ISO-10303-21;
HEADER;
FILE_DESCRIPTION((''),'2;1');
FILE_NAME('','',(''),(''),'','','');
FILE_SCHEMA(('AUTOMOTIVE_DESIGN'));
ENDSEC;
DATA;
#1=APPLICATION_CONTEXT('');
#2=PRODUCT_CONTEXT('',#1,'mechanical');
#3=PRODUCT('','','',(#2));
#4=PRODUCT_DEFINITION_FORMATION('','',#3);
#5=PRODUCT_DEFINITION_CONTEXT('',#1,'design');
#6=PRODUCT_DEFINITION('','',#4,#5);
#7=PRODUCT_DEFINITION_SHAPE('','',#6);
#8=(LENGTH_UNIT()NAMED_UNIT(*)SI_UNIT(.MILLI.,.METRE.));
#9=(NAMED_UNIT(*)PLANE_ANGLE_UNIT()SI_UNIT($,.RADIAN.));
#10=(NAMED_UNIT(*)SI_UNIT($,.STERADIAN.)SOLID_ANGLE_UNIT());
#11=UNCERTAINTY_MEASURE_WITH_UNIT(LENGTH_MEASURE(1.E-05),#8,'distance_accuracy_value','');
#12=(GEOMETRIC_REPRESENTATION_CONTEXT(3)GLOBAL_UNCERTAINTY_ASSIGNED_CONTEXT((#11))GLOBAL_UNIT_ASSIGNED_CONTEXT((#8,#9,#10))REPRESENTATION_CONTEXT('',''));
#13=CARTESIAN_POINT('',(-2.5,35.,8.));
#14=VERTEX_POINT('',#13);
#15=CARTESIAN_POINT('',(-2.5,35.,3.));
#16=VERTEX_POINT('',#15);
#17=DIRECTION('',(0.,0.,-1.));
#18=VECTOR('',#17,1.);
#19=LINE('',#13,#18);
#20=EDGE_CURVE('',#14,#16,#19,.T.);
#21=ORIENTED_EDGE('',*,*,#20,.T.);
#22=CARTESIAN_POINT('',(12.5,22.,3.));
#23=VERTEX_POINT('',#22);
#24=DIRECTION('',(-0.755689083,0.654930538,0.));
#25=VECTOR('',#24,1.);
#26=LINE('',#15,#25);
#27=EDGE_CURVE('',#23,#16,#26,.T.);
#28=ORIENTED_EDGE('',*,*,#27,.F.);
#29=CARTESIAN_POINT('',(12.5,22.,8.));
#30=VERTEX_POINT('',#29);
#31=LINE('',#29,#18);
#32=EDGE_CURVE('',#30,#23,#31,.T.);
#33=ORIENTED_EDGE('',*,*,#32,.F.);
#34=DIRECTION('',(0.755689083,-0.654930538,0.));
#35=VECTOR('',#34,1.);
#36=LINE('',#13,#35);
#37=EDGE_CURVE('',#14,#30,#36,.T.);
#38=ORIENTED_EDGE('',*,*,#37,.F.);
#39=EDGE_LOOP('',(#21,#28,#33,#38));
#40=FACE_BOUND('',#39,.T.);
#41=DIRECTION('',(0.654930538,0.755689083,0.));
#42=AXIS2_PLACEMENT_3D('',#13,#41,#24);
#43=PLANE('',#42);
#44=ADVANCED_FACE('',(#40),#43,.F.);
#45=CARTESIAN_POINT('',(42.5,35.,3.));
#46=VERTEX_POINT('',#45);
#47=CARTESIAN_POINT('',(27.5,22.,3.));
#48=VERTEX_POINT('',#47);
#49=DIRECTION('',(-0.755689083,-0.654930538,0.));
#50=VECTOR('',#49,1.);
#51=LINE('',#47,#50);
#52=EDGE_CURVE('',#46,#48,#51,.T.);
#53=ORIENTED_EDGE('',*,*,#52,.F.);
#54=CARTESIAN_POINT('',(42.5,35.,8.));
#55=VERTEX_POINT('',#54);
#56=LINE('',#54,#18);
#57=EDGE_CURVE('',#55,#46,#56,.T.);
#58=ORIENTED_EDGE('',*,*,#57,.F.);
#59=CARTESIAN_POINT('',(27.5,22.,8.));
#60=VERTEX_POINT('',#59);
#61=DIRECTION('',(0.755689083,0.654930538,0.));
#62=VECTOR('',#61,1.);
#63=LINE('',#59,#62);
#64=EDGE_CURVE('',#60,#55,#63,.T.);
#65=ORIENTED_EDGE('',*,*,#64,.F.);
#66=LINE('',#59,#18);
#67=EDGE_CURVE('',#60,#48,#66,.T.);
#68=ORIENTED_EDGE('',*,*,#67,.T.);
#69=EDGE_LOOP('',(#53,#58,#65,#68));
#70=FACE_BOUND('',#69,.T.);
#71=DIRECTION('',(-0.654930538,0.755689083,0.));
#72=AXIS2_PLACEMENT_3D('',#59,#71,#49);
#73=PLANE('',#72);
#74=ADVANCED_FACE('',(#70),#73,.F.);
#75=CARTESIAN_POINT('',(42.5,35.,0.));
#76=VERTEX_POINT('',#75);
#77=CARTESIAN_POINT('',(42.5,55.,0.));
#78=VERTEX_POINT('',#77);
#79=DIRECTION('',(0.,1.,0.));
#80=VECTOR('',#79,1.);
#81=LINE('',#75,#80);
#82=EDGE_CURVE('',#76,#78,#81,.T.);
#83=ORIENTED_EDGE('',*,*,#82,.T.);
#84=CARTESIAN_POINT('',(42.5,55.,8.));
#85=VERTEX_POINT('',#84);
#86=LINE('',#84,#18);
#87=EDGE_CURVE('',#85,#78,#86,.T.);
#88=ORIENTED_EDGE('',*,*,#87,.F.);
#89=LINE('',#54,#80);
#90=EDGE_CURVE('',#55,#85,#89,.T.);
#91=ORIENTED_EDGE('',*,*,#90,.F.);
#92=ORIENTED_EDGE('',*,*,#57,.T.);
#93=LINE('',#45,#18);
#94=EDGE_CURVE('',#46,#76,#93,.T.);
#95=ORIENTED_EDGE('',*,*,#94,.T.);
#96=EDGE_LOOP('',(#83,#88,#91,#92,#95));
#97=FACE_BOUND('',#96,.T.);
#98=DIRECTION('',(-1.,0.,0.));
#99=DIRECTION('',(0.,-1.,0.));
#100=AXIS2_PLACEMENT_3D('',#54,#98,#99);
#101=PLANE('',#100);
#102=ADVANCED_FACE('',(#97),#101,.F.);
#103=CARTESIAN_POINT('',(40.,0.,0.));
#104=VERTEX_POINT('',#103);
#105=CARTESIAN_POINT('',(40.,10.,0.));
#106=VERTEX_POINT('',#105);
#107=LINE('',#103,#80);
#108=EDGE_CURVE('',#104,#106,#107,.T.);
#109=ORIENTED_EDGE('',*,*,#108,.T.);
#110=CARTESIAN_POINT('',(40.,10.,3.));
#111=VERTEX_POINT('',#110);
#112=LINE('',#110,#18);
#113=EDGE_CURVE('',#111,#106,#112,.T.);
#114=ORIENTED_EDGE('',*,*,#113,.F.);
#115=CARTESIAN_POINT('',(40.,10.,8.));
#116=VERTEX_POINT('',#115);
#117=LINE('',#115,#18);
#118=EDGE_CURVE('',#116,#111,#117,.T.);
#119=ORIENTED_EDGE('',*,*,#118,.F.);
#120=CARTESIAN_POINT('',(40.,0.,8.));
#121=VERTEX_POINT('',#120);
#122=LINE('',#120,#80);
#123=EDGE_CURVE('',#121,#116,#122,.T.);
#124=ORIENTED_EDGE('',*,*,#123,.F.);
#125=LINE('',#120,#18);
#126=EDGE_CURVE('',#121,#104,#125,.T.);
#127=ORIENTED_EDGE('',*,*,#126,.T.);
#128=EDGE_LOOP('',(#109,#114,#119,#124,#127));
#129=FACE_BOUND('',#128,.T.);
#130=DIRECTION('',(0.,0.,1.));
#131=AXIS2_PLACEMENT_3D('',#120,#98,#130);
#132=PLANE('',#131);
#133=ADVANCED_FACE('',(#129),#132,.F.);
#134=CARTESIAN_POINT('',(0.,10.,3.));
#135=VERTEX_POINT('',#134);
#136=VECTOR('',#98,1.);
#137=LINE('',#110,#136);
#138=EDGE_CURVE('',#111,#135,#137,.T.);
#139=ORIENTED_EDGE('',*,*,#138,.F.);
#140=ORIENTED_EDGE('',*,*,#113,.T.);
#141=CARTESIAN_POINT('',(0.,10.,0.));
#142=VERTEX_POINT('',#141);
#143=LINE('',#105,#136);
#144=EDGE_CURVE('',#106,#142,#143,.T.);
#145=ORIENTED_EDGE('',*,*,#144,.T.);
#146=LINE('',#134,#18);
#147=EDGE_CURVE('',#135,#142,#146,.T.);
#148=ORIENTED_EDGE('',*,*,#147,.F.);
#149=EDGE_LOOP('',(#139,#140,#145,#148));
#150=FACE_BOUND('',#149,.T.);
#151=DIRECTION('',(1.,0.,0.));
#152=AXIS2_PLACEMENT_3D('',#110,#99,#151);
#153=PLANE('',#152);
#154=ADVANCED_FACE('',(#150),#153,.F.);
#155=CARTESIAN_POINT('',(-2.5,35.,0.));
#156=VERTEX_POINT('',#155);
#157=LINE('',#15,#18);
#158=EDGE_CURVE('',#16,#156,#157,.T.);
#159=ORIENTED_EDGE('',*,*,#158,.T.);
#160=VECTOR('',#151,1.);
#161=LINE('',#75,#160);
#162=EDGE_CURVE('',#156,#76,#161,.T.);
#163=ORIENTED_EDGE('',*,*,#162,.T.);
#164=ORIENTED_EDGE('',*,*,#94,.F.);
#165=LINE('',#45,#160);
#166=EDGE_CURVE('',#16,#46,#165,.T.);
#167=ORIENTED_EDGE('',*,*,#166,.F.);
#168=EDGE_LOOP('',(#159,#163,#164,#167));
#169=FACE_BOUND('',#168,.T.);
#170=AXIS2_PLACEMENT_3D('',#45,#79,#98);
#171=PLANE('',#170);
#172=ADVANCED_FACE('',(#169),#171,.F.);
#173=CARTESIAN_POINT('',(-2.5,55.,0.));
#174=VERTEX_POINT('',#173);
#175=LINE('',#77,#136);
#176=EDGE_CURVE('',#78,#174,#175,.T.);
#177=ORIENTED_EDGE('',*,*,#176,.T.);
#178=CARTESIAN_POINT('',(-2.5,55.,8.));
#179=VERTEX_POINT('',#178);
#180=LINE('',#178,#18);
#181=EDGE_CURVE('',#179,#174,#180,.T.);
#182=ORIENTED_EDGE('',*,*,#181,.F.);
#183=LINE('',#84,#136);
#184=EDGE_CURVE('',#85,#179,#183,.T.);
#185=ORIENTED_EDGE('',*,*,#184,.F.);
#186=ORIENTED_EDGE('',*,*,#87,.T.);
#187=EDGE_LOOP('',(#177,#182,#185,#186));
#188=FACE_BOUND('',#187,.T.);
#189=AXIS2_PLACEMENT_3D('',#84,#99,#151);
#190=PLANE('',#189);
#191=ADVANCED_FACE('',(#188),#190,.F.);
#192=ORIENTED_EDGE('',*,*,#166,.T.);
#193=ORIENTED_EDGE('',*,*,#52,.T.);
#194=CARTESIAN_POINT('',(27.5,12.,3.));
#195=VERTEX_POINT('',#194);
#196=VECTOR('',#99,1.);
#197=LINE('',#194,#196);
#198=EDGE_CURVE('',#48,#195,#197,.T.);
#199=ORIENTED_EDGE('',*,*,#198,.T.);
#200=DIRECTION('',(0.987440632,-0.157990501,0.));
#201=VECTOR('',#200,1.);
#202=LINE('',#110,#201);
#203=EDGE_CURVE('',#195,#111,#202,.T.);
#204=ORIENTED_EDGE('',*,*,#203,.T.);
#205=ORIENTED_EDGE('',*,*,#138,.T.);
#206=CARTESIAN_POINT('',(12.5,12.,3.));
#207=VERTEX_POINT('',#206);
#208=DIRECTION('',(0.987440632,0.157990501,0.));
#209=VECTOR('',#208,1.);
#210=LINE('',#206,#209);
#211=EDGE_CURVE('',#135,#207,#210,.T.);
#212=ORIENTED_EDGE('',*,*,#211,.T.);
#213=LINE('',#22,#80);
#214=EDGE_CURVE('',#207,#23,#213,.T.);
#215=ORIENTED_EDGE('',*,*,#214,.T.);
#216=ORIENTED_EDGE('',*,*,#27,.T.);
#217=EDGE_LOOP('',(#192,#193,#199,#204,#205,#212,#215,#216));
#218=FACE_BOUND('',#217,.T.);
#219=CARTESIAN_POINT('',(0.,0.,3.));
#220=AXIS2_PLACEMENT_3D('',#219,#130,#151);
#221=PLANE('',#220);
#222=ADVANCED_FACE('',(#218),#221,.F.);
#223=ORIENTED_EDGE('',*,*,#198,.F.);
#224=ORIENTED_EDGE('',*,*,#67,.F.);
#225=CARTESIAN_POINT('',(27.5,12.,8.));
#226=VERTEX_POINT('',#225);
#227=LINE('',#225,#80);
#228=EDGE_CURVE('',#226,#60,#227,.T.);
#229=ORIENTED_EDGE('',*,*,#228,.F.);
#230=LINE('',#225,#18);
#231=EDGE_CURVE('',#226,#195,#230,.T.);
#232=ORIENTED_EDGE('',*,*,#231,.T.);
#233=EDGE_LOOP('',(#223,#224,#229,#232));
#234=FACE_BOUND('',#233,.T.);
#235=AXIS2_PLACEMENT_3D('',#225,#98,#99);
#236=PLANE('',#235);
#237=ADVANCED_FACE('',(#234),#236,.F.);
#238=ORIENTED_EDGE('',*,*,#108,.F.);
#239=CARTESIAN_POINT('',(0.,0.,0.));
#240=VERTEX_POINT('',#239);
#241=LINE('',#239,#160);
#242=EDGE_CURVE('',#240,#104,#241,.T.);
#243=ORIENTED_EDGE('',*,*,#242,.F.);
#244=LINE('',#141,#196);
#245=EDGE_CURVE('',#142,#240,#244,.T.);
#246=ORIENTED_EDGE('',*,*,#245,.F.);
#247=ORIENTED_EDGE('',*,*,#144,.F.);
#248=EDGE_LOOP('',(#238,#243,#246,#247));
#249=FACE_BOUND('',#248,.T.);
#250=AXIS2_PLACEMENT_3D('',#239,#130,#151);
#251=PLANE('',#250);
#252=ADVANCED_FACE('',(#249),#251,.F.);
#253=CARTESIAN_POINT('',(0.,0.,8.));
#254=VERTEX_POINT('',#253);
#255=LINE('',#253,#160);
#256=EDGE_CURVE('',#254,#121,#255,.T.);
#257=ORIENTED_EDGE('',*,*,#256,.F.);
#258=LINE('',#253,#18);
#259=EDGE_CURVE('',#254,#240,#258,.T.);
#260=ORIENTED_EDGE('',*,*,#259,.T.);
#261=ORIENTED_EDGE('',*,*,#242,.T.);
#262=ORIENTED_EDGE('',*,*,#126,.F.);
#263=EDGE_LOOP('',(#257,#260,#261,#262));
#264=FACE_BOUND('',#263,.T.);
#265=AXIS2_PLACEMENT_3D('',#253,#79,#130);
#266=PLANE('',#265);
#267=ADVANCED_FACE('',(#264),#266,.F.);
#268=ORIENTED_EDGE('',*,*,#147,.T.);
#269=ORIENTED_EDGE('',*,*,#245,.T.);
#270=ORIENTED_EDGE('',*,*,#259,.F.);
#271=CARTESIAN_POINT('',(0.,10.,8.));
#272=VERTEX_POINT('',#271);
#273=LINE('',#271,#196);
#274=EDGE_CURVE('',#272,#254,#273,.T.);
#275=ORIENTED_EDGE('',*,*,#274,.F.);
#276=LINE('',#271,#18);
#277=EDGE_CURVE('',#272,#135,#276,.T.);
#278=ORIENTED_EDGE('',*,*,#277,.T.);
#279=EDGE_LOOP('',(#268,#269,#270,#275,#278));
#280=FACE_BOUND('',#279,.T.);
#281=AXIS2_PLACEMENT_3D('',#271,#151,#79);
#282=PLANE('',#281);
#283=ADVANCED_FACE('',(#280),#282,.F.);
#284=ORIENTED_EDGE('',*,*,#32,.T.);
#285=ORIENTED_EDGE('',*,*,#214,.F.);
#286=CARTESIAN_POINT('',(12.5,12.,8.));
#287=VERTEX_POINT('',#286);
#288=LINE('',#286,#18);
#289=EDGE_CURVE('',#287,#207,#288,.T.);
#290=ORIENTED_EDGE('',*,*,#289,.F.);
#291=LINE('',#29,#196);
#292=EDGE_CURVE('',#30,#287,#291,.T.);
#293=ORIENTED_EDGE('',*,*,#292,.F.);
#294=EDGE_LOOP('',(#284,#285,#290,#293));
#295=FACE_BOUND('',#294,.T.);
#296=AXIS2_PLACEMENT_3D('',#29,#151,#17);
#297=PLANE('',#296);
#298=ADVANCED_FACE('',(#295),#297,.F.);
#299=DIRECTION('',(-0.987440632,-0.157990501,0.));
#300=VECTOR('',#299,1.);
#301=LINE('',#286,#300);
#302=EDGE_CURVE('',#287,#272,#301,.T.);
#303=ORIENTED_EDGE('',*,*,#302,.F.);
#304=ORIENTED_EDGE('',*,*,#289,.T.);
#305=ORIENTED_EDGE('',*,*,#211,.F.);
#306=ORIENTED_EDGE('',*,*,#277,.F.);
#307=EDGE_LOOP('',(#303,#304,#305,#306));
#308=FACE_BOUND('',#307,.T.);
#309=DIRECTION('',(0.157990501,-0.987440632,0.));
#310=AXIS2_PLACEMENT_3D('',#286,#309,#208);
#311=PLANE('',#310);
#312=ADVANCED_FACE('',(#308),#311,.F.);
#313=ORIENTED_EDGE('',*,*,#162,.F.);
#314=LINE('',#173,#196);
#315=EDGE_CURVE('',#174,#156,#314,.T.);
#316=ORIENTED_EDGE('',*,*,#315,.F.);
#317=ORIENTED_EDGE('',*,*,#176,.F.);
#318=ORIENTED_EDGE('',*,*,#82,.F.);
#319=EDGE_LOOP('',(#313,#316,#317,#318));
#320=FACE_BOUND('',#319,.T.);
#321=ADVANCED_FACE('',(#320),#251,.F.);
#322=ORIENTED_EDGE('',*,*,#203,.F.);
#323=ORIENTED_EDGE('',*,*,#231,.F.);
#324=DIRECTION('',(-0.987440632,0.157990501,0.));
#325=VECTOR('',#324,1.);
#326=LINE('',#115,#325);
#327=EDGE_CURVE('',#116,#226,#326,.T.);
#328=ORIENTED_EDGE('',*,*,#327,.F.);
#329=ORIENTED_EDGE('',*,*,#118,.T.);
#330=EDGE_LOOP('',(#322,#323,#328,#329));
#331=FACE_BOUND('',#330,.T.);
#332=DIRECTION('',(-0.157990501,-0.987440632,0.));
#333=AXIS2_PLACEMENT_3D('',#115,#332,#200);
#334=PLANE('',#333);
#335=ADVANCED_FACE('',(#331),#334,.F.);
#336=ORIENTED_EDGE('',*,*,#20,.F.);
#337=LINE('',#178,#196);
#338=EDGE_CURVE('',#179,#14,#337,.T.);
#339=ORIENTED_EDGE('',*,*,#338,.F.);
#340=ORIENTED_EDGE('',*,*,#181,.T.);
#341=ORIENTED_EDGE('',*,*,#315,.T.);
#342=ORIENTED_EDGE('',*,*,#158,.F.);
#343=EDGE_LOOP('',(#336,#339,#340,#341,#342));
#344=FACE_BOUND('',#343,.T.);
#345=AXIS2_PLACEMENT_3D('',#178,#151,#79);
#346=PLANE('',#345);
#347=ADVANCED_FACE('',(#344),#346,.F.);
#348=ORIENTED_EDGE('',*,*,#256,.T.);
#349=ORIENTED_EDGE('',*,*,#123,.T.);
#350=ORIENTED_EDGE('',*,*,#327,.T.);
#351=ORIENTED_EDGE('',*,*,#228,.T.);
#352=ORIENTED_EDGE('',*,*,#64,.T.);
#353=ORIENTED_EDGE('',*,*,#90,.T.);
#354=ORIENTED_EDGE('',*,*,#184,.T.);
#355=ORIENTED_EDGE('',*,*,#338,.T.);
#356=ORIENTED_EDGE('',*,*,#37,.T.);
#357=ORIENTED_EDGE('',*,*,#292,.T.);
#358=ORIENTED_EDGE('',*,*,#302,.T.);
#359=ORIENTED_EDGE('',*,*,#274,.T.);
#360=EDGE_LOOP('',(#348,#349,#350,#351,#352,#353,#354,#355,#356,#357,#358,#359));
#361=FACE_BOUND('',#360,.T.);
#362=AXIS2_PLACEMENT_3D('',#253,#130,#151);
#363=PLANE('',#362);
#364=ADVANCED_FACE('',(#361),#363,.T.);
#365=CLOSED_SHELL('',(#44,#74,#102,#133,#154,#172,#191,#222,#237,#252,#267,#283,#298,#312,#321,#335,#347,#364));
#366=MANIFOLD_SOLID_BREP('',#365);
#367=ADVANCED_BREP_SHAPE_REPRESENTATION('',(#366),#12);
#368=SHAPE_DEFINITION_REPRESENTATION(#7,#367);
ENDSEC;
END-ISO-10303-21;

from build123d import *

# Parameters (mm, degrees)
EXTRUDE_1_DEPTH     = 8
CUT_EXTRUDE_1_DEPTH = 3


with BuildPart() as part:
    # Эскиз2 → Бобышка-Вытянуть1 (new body)
    with BuildSketch(Plane.XY):
        Polygon((0, 0), (40, 0), (40, 10), (27.5, 12), (27.5, 22), (42.5, 35), (42.5, 55), (-2.5, 55), (-2.5, 35), (12.5, 22), (12.5, 12), (0, 10), align=None)
    extrude(amount=EXTRUDE_1_DEPTH)

    # Эскиз3 → Вырез-Вытянуть1 (cut)
    with BuildSketch(Plane(origin=(0, 0, 0), x_dir=(-1, 0, 0), z_dir=(0, 0, -1))):
        Polygon((-40, 10), (-27.5, 12), (-27.5, 22), (-42.5, 35), (2.5, 35), (-12.5, 22), (-12.5, 12), (0, 10), align=None)
    extrude(amount=-CUT_EXTRUDE_1_DEPTH, mode=Mode.SUBTRACT)


solid = part.part
